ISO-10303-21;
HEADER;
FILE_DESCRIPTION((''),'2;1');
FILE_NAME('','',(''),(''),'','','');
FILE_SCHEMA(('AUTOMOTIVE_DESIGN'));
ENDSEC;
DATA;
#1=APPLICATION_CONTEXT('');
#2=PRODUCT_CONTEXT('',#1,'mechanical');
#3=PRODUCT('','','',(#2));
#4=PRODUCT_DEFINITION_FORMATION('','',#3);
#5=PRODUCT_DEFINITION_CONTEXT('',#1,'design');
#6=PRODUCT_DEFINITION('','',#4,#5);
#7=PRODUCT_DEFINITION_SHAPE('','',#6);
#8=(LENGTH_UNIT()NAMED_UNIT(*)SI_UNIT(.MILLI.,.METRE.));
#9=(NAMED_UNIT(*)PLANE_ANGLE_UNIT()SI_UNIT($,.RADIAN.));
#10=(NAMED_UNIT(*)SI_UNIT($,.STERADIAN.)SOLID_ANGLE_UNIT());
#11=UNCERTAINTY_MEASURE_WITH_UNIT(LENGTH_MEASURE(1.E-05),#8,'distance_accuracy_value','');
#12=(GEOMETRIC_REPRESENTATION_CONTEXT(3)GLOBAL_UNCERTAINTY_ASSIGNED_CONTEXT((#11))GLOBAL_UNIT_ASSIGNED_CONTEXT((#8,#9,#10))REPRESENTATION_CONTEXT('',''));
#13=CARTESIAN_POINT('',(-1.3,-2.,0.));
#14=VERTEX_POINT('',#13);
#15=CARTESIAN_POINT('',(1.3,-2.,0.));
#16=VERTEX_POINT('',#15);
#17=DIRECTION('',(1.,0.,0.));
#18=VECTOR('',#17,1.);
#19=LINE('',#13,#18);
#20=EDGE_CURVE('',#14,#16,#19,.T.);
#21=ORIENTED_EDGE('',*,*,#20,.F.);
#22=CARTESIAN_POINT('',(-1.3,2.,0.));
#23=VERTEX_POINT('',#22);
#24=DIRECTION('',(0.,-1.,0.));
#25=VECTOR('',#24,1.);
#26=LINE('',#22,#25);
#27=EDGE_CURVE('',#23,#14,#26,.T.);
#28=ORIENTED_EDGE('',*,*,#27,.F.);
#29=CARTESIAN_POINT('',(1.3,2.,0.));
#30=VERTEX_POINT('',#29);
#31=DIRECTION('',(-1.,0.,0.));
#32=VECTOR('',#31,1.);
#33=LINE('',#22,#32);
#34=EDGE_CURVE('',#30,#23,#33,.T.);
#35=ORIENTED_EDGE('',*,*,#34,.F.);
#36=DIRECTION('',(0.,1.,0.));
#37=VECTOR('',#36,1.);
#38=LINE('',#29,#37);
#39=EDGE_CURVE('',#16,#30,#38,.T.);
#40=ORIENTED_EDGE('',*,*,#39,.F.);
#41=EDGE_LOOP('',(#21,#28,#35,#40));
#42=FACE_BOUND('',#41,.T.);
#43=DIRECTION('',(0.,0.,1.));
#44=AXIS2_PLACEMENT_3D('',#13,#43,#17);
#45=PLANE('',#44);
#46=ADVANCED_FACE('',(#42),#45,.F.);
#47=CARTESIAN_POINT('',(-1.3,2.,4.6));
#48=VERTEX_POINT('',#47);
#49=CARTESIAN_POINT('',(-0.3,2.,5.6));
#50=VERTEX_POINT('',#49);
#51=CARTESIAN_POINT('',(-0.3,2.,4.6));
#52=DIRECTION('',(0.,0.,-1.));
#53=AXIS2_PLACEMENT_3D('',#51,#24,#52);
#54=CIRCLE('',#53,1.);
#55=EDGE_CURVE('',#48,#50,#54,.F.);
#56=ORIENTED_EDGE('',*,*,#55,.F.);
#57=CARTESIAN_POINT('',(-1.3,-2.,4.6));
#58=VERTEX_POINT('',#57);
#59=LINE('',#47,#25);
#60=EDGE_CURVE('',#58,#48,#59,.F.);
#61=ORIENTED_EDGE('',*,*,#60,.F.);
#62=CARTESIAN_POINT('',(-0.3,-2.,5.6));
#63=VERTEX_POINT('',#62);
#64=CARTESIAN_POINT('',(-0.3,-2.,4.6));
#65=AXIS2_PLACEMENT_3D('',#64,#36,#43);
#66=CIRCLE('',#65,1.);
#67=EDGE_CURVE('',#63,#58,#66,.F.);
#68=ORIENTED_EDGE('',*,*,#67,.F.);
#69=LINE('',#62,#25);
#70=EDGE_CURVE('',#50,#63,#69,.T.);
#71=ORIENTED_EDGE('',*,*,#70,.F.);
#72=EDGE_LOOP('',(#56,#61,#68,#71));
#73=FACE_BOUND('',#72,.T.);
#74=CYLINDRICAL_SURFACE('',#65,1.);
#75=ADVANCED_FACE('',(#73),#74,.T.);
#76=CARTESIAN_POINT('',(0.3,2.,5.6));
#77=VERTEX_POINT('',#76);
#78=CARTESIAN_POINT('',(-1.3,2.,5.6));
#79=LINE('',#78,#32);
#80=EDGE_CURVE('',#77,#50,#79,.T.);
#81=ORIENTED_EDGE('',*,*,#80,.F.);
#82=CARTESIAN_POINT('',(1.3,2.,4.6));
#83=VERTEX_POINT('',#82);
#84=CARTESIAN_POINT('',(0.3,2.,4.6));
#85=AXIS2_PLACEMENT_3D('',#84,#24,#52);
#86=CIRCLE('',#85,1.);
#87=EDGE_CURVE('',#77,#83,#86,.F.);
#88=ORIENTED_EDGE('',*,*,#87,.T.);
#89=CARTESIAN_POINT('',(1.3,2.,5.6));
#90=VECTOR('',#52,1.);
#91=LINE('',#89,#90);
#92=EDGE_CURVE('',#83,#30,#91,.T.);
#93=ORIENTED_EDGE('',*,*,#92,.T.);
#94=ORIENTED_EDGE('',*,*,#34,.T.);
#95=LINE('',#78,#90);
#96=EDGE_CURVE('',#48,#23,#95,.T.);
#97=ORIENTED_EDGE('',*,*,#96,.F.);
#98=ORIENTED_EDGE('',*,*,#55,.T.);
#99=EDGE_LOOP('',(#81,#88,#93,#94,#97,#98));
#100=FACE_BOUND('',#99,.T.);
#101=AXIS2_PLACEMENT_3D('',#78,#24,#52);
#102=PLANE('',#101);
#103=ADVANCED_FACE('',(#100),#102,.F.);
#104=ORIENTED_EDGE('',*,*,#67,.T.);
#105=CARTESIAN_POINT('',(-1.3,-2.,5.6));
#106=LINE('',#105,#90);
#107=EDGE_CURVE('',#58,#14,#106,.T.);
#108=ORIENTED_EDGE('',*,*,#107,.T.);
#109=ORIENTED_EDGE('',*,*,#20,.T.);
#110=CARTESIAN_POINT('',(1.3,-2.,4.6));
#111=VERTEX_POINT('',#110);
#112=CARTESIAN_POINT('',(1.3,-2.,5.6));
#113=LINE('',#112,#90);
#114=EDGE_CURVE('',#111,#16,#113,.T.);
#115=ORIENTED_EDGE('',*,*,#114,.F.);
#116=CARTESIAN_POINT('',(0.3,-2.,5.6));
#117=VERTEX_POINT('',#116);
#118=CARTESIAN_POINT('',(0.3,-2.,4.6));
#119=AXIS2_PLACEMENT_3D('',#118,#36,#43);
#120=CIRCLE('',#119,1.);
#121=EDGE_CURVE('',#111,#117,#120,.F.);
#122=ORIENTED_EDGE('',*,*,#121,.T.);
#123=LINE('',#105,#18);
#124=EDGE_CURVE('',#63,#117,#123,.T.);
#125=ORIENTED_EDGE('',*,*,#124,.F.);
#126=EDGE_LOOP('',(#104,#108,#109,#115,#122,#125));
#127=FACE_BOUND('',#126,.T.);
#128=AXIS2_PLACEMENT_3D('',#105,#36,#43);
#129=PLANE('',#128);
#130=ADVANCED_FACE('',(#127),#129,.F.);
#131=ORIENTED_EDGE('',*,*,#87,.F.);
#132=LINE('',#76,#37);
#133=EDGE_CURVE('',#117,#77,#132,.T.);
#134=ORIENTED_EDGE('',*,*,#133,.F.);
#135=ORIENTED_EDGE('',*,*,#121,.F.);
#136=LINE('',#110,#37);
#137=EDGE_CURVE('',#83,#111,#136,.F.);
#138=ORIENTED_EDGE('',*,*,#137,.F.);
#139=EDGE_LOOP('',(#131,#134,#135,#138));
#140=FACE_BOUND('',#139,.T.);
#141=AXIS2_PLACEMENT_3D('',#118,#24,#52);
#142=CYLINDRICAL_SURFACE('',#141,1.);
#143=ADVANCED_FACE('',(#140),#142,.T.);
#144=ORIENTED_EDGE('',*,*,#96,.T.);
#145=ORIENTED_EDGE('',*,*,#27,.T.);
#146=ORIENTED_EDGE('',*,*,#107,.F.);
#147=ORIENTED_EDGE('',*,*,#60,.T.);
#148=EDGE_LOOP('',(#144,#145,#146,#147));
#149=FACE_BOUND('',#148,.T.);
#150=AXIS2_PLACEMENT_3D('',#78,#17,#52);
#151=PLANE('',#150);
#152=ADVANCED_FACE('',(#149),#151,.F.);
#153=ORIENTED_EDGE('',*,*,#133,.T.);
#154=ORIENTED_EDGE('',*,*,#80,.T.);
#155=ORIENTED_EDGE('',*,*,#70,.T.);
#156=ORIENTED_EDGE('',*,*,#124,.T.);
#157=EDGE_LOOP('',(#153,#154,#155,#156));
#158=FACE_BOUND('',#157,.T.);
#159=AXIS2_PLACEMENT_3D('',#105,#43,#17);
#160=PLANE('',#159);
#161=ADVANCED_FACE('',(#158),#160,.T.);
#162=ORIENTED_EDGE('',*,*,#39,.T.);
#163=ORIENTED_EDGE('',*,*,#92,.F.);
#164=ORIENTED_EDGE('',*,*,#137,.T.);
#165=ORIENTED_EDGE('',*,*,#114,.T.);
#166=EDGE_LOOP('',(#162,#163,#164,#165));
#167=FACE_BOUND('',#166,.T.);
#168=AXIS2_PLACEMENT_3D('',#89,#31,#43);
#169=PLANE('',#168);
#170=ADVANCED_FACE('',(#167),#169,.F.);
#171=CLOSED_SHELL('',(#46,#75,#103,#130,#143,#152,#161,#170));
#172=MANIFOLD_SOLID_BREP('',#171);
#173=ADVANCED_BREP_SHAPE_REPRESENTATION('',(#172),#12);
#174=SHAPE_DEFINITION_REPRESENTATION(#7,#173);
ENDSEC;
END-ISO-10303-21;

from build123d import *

# Parameters (mm, degrees)
SKETCH1_W      = 2.6
SKETCH1_H      = 4
EXTRUDE1_DEPTH = 5.6
FILLET2_R      = 1


with BuildPart() as part:
    # Sketch1 → Extrude1 (new body)
    with BuildSketch(Plane.XY):
        Rectangle(SKETCH1_W, SKETCH1_H)
    extrude(amount=EXTRUDE1_DEPTH)

    # Fillet2
    fillet2_edges = [part.edges().sort_by_distance(p)[0] for p in [
        (1.3, 0, 5.6),
        (-1.3, 0, 5.6),
    ]]
    fillet(fillet2_edges, radius=FILLET2_R)


solid = part.part
